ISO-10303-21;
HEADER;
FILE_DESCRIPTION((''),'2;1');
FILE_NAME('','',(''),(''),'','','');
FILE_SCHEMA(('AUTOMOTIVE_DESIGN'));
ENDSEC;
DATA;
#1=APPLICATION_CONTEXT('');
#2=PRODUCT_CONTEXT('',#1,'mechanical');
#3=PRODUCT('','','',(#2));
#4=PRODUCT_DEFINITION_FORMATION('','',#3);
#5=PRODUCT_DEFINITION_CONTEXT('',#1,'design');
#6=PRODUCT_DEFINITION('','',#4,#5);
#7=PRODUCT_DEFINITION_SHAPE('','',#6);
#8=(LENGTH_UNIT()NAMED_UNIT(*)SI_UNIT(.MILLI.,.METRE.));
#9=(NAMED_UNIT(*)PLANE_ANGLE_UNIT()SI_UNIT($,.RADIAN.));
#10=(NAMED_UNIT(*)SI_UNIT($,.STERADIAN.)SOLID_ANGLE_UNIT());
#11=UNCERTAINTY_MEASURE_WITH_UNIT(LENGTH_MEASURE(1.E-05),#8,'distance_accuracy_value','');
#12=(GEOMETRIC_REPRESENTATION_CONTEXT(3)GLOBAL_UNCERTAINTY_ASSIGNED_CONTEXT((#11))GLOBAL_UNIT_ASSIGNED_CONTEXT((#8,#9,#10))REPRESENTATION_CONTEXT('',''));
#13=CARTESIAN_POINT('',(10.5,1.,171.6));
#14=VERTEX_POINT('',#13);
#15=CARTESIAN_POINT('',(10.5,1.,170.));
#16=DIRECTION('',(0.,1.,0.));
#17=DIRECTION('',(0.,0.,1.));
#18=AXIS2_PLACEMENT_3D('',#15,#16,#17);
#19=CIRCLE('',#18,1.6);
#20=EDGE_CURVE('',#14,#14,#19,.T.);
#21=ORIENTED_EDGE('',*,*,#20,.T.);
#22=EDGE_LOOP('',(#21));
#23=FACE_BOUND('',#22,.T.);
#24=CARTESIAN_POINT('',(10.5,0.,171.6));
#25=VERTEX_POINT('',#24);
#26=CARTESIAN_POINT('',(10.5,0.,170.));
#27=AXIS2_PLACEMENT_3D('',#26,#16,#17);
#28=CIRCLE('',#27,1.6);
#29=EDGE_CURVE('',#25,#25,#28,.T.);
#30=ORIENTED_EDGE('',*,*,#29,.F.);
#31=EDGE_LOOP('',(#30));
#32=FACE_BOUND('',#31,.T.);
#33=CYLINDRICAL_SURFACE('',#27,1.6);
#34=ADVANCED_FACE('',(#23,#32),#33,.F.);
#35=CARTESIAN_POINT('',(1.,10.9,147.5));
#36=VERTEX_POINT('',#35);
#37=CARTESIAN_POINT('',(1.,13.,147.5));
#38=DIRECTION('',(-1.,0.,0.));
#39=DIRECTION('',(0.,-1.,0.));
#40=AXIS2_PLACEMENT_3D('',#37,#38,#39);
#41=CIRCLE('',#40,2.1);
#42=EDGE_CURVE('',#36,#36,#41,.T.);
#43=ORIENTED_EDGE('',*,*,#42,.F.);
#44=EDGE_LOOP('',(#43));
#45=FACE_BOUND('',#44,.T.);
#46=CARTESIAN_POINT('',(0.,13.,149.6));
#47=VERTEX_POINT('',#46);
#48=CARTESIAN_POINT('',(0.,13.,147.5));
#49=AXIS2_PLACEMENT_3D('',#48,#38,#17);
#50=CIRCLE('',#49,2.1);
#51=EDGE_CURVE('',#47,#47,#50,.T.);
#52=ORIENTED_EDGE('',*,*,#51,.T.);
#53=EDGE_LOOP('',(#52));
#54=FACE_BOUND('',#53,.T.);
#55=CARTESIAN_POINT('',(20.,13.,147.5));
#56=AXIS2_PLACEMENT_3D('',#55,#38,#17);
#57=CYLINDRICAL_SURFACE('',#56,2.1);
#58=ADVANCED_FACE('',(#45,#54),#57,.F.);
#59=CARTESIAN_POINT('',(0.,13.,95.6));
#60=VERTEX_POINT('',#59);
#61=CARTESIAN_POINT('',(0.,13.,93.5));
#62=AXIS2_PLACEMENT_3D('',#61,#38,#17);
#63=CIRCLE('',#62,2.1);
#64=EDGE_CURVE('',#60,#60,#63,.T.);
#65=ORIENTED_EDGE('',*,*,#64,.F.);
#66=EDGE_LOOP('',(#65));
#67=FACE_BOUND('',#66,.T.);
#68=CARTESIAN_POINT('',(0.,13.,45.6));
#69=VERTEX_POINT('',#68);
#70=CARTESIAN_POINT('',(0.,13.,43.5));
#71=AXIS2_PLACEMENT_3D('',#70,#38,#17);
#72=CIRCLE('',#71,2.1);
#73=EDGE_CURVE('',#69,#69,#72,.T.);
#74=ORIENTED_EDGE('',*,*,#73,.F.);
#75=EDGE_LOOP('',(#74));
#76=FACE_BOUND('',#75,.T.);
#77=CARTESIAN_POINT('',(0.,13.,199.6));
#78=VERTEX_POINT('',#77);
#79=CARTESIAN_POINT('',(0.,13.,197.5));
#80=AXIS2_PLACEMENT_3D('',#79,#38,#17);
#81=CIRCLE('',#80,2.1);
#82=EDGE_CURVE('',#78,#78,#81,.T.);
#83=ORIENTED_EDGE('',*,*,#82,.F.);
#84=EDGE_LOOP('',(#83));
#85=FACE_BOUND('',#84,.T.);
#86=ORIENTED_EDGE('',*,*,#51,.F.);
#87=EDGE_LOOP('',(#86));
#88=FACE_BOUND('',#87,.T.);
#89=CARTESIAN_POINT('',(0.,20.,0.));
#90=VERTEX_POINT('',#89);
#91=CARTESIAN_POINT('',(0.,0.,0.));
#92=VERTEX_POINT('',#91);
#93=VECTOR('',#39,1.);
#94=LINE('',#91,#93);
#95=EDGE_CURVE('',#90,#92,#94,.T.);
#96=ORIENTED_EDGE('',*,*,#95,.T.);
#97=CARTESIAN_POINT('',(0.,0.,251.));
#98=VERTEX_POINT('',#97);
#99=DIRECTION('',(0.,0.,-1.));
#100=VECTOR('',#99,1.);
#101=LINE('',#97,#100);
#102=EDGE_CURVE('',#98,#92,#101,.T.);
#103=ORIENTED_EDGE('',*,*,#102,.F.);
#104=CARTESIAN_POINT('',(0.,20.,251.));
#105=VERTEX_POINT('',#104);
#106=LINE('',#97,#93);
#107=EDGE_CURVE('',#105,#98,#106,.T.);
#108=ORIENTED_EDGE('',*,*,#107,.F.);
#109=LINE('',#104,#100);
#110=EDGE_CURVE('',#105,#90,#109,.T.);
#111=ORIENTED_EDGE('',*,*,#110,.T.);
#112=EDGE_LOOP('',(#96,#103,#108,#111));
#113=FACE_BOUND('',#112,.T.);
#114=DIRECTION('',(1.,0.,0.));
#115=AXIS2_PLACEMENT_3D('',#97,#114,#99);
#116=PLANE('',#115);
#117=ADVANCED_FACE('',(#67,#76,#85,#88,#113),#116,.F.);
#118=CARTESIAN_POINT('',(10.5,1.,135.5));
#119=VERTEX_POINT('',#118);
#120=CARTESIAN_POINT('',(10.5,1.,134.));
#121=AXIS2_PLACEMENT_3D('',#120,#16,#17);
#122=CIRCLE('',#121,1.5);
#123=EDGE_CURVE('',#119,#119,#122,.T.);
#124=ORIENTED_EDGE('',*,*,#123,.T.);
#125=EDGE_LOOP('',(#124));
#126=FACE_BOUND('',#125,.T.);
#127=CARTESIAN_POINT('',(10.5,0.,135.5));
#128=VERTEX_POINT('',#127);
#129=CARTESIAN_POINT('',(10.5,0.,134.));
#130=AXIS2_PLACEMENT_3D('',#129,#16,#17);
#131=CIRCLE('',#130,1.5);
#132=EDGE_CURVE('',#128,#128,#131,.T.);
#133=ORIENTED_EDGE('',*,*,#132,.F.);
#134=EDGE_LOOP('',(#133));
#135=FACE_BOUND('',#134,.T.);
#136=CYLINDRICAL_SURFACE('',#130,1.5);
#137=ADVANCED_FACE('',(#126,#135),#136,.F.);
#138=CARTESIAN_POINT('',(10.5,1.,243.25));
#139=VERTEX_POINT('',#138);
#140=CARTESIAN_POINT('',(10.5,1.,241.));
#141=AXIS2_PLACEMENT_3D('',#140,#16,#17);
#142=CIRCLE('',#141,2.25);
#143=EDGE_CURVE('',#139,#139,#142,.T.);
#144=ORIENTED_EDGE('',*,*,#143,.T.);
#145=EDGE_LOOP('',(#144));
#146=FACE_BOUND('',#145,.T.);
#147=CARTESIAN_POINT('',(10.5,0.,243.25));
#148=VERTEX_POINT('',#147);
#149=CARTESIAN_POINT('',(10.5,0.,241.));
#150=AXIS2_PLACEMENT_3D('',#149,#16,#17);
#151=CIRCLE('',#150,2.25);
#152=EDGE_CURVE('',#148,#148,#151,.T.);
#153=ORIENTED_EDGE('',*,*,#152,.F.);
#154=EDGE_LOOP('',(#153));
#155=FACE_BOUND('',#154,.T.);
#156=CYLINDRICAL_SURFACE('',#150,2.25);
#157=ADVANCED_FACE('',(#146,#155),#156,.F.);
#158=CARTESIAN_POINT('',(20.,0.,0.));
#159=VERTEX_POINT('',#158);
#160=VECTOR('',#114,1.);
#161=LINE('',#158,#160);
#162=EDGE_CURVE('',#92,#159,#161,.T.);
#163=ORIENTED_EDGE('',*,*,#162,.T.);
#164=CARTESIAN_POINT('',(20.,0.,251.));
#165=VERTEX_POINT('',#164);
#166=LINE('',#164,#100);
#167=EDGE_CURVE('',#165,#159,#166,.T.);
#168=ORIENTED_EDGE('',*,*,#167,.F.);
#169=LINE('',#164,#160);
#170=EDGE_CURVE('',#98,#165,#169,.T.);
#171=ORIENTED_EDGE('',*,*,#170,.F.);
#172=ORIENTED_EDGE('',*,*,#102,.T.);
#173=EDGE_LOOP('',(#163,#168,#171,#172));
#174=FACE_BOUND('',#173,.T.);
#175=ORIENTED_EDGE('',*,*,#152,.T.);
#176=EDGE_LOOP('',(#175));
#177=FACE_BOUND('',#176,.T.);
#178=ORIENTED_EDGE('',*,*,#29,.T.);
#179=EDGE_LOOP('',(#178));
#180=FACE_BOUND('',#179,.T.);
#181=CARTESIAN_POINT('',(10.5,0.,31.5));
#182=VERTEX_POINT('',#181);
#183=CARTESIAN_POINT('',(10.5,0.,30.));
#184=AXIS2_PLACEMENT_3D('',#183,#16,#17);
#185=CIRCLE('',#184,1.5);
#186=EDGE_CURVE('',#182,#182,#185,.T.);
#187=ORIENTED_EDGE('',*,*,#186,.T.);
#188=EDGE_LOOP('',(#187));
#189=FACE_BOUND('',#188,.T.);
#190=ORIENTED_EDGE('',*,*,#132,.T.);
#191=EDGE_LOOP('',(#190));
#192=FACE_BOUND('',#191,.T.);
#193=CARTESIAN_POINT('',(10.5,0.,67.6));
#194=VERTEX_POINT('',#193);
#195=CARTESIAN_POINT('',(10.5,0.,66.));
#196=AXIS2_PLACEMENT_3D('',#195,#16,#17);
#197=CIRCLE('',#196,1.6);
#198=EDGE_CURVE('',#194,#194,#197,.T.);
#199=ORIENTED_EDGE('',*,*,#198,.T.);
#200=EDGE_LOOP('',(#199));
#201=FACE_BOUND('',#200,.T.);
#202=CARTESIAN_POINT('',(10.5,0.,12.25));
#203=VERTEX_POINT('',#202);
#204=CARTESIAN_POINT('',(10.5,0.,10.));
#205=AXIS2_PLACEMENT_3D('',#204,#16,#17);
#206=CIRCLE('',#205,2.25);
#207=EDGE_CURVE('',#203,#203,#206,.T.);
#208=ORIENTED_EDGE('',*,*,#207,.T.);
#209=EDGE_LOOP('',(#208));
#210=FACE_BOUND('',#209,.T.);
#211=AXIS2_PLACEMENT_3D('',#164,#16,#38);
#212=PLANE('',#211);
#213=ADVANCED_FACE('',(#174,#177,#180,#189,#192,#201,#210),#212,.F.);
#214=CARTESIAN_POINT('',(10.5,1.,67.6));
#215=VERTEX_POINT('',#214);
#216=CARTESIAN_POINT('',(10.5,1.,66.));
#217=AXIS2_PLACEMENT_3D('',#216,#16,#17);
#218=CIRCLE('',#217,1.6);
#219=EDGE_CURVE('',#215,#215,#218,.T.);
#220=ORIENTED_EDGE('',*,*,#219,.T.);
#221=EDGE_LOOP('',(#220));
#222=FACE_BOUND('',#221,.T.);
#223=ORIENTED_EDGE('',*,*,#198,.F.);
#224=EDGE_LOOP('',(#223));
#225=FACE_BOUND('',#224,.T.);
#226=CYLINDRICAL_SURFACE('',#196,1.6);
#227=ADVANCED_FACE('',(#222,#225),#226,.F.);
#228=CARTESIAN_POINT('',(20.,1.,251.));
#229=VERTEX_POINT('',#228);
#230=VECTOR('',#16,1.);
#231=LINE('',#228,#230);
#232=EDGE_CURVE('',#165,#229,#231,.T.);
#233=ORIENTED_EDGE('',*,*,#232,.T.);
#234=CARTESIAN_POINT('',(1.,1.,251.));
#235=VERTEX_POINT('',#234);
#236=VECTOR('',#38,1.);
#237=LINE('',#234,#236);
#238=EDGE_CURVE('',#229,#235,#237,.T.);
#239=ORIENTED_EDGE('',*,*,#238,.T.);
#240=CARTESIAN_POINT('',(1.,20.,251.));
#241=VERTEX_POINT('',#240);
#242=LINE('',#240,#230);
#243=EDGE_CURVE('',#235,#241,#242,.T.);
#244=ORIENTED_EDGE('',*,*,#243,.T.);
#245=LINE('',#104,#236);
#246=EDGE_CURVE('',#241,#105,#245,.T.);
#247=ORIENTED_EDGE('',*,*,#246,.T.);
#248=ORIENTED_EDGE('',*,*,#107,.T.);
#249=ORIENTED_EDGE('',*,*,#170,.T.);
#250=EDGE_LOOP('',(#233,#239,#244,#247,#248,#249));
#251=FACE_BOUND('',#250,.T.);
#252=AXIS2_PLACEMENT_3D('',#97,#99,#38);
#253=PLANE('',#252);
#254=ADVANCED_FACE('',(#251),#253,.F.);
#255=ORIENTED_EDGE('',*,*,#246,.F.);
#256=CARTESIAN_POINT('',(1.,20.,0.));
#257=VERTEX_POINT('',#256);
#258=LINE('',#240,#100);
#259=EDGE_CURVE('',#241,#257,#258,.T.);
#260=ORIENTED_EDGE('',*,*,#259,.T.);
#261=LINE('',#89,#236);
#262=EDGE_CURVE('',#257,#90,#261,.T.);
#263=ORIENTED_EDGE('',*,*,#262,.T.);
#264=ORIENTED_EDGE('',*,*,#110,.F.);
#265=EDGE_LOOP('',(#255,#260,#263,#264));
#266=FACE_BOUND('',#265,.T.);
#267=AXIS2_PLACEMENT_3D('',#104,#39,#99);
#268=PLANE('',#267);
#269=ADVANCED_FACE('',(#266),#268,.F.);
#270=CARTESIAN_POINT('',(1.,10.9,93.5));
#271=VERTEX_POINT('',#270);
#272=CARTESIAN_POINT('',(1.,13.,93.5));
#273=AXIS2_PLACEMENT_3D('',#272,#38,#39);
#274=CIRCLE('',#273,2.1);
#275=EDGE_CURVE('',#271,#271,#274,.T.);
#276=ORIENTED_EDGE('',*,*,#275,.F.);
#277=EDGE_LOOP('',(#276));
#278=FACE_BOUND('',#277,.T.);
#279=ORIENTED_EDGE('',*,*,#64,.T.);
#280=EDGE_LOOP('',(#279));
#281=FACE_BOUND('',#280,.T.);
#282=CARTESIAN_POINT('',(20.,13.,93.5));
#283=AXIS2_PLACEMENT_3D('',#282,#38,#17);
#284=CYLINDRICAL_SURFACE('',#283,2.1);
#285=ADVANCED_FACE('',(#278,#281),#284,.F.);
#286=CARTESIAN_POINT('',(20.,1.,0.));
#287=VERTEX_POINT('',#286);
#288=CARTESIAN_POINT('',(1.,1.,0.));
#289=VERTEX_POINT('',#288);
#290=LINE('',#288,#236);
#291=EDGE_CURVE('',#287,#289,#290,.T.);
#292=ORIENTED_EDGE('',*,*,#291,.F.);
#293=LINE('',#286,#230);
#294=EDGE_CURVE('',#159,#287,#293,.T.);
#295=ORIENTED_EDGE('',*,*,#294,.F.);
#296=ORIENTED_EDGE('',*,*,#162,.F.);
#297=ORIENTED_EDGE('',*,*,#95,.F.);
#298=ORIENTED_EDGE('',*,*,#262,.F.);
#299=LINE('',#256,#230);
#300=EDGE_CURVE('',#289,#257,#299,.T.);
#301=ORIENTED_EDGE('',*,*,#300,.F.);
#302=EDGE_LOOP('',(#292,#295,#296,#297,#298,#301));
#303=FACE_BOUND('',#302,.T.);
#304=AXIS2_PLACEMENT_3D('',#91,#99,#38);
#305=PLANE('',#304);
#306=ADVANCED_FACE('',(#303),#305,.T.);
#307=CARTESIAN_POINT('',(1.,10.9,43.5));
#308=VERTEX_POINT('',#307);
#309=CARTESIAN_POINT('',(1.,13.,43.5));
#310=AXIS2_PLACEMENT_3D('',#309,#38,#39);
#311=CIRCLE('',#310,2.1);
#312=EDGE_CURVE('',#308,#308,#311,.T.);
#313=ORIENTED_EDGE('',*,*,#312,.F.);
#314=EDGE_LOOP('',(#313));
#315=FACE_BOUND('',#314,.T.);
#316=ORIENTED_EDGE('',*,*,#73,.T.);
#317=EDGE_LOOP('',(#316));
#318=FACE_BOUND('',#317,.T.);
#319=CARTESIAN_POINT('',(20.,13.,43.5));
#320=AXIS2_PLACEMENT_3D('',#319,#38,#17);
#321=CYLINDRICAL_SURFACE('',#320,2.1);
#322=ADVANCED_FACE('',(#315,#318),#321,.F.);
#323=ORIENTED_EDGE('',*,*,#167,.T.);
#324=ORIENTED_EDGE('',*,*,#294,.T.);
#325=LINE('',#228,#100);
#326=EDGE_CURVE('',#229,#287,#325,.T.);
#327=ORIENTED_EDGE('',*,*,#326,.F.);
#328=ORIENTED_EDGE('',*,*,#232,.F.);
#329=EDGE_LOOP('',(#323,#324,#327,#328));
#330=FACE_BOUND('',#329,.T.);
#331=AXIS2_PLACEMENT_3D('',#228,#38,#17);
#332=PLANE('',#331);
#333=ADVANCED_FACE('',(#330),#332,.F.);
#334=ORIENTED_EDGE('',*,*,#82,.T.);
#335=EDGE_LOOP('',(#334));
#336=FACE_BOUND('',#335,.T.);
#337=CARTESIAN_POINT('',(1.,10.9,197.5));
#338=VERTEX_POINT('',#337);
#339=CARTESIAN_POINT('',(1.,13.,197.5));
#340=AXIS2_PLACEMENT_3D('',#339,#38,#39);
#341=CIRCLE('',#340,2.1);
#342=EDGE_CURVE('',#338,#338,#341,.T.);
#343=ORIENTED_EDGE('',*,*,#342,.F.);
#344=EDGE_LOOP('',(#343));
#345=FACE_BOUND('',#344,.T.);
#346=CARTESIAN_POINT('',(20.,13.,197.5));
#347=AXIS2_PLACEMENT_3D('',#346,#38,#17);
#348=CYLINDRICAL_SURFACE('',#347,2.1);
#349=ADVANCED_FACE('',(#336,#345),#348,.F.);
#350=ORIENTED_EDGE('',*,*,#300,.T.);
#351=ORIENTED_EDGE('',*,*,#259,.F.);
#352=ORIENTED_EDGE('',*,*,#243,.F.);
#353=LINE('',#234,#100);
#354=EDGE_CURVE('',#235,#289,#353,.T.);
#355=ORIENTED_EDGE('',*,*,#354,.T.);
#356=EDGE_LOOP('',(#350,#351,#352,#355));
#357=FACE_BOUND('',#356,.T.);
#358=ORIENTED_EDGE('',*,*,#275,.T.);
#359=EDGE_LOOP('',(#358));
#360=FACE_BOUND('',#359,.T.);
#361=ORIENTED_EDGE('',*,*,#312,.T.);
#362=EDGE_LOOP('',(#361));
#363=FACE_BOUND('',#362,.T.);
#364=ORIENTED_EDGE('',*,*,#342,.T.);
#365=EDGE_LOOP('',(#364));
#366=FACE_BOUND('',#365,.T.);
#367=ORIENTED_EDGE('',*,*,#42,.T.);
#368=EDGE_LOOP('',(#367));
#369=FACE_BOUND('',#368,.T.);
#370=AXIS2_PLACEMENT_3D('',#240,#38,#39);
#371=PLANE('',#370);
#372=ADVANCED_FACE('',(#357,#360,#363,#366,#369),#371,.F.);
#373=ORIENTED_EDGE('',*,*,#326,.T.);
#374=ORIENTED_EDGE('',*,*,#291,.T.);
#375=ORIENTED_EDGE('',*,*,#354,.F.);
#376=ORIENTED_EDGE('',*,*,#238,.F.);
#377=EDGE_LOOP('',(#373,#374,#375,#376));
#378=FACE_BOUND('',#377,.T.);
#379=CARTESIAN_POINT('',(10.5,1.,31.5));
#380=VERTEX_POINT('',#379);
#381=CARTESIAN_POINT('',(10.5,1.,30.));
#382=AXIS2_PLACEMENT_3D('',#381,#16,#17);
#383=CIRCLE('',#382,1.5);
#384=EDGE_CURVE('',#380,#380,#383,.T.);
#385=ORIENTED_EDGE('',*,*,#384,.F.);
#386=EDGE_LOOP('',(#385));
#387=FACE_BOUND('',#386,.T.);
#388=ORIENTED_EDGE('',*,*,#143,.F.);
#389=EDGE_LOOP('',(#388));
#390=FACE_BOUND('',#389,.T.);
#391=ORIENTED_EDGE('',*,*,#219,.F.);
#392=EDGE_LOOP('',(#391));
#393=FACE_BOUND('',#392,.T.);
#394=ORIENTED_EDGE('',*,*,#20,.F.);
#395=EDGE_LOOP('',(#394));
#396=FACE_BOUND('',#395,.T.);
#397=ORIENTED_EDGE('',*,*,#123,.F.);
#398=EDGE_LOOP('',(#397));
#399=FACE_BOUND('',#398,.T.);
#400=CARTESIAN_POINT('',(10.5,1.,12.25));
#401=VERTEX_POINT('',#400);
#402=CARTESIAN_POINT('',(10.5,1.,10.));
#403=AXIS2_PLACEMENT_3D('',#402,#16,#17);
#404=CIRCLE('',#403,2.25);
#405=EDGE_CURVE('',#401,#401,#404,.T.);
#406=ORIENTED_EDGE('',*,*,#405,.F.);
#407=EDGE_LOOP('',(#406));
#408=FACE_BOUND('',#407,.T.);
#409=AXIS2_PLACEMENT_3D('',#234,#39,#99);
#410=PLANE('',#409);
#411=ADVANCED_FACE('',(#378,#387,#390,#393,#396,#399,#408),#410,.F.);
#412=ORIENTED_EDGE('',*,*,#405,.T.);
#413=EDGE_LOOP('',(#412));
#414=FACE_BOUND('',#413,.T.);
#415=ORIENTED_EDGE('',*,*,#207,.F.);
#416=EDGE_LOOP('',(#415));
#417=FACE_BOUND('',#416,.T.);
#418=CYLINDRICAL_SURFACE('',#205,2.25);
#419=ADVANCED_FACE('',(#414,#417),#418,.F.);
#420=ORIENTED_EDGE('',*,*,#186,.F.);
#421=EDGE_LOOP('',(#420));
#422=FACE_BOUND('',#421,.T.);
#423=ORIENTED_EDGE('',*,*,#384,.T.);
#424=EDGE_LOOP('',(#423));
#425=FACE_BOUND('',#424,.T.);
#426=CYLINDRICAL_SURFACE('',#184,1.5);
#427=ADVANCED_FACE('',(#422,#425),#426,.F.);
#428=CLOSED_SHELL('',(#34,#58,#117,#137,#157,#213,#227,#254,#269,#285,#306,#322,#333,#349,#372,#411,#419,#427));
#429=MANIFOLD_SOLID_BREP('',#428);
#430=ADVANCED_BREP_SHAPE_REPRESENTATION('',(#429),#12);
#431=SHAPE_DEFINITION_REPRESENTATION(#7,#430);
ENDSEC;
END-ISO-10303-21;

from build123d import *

# Parameters (mm, degrees)
EXTRUDE_1_DEPTH     = 251
SKETCH_3_R          = 1.5
SKETCH_3_R_2        = 1.6
CUT_EXTRUDE_1_DEPTH = 2
SKETCH_4_R          = 2.1
CUT_EXTRUDE_2_DEPTH = 21
SKETCH_5_R          = 2.25
CUT_EXTRUDE_3_DEPTH = 2


with BuildPart() as part:
    # Эскиз1 → Бобышка-Вытянуть1 (new body)
    with BuildSketch(Plane.XY):
        Polygon((0, 0), (0, 20), (1, 20), (1, 1), (20, 1), (20, 0), align=None)
    extrude(amount=EXTRUDE_1_DEPTH)

    # Эскиз3 → Вырез-Вытянуть1 (cut, through all)
    with BuildSketch(Plane(origin=(0, 1, 0), x_dir=(1, 0, 0), z_dir=(0, 1, 0))):
        with Locations((10.5, -134)):
            Circle(SKETCH_3_R)
        with Locations((10.5, -170)):
            Circle(SKETCH_3_R_2)
        with Locations((10.5, -66)):
            Circle(SKETCH_3_R_2)
        with Locations((10.5, -30)):
            Circle(SKETCH_3_R)
    extrude(amount=-CUT_EXTRUDE_1_DEPTH, mode=Mode.SUBTRACT)

    # Эскиз4 → Вырез-Вытянуть2 (cut, through all)
    with BuildSketch(Plane.ZY):
        with Locations((43.5, 13)):
            Circle(SKETCH_4_R)
        with Locations((93.5, 13)):
            Circle(SKETCH_4_R)
        with Locations((147.5, 13)):
            Circle(SKETCH_4_R)
        with Locations((197.5, 13)):
            Circle(SKETCH_4_R)
    extrude(amount=-CUT_EXTRUDE_2_DEPTH, mode=Mode.SUBTRACT)

    # Эскиз5 → Вырез-Вытянуть3 (cut, through all)
    with BuildSketch(Plane(origin=(0, 1, 0), x_dir=(1, 0, 0), z_dir=(0, 1, 0))):
        with Locations((10.5, -10)):
            Circle(SKETCH_5_R)
        with Locations((10.5, -241)):
            Circle(SKETCH_5_R)
    extrude(amount=-CUT_EXTRUDE_3_DEPTH, mode=Mode.SUBTRACT)


solid = part.part
